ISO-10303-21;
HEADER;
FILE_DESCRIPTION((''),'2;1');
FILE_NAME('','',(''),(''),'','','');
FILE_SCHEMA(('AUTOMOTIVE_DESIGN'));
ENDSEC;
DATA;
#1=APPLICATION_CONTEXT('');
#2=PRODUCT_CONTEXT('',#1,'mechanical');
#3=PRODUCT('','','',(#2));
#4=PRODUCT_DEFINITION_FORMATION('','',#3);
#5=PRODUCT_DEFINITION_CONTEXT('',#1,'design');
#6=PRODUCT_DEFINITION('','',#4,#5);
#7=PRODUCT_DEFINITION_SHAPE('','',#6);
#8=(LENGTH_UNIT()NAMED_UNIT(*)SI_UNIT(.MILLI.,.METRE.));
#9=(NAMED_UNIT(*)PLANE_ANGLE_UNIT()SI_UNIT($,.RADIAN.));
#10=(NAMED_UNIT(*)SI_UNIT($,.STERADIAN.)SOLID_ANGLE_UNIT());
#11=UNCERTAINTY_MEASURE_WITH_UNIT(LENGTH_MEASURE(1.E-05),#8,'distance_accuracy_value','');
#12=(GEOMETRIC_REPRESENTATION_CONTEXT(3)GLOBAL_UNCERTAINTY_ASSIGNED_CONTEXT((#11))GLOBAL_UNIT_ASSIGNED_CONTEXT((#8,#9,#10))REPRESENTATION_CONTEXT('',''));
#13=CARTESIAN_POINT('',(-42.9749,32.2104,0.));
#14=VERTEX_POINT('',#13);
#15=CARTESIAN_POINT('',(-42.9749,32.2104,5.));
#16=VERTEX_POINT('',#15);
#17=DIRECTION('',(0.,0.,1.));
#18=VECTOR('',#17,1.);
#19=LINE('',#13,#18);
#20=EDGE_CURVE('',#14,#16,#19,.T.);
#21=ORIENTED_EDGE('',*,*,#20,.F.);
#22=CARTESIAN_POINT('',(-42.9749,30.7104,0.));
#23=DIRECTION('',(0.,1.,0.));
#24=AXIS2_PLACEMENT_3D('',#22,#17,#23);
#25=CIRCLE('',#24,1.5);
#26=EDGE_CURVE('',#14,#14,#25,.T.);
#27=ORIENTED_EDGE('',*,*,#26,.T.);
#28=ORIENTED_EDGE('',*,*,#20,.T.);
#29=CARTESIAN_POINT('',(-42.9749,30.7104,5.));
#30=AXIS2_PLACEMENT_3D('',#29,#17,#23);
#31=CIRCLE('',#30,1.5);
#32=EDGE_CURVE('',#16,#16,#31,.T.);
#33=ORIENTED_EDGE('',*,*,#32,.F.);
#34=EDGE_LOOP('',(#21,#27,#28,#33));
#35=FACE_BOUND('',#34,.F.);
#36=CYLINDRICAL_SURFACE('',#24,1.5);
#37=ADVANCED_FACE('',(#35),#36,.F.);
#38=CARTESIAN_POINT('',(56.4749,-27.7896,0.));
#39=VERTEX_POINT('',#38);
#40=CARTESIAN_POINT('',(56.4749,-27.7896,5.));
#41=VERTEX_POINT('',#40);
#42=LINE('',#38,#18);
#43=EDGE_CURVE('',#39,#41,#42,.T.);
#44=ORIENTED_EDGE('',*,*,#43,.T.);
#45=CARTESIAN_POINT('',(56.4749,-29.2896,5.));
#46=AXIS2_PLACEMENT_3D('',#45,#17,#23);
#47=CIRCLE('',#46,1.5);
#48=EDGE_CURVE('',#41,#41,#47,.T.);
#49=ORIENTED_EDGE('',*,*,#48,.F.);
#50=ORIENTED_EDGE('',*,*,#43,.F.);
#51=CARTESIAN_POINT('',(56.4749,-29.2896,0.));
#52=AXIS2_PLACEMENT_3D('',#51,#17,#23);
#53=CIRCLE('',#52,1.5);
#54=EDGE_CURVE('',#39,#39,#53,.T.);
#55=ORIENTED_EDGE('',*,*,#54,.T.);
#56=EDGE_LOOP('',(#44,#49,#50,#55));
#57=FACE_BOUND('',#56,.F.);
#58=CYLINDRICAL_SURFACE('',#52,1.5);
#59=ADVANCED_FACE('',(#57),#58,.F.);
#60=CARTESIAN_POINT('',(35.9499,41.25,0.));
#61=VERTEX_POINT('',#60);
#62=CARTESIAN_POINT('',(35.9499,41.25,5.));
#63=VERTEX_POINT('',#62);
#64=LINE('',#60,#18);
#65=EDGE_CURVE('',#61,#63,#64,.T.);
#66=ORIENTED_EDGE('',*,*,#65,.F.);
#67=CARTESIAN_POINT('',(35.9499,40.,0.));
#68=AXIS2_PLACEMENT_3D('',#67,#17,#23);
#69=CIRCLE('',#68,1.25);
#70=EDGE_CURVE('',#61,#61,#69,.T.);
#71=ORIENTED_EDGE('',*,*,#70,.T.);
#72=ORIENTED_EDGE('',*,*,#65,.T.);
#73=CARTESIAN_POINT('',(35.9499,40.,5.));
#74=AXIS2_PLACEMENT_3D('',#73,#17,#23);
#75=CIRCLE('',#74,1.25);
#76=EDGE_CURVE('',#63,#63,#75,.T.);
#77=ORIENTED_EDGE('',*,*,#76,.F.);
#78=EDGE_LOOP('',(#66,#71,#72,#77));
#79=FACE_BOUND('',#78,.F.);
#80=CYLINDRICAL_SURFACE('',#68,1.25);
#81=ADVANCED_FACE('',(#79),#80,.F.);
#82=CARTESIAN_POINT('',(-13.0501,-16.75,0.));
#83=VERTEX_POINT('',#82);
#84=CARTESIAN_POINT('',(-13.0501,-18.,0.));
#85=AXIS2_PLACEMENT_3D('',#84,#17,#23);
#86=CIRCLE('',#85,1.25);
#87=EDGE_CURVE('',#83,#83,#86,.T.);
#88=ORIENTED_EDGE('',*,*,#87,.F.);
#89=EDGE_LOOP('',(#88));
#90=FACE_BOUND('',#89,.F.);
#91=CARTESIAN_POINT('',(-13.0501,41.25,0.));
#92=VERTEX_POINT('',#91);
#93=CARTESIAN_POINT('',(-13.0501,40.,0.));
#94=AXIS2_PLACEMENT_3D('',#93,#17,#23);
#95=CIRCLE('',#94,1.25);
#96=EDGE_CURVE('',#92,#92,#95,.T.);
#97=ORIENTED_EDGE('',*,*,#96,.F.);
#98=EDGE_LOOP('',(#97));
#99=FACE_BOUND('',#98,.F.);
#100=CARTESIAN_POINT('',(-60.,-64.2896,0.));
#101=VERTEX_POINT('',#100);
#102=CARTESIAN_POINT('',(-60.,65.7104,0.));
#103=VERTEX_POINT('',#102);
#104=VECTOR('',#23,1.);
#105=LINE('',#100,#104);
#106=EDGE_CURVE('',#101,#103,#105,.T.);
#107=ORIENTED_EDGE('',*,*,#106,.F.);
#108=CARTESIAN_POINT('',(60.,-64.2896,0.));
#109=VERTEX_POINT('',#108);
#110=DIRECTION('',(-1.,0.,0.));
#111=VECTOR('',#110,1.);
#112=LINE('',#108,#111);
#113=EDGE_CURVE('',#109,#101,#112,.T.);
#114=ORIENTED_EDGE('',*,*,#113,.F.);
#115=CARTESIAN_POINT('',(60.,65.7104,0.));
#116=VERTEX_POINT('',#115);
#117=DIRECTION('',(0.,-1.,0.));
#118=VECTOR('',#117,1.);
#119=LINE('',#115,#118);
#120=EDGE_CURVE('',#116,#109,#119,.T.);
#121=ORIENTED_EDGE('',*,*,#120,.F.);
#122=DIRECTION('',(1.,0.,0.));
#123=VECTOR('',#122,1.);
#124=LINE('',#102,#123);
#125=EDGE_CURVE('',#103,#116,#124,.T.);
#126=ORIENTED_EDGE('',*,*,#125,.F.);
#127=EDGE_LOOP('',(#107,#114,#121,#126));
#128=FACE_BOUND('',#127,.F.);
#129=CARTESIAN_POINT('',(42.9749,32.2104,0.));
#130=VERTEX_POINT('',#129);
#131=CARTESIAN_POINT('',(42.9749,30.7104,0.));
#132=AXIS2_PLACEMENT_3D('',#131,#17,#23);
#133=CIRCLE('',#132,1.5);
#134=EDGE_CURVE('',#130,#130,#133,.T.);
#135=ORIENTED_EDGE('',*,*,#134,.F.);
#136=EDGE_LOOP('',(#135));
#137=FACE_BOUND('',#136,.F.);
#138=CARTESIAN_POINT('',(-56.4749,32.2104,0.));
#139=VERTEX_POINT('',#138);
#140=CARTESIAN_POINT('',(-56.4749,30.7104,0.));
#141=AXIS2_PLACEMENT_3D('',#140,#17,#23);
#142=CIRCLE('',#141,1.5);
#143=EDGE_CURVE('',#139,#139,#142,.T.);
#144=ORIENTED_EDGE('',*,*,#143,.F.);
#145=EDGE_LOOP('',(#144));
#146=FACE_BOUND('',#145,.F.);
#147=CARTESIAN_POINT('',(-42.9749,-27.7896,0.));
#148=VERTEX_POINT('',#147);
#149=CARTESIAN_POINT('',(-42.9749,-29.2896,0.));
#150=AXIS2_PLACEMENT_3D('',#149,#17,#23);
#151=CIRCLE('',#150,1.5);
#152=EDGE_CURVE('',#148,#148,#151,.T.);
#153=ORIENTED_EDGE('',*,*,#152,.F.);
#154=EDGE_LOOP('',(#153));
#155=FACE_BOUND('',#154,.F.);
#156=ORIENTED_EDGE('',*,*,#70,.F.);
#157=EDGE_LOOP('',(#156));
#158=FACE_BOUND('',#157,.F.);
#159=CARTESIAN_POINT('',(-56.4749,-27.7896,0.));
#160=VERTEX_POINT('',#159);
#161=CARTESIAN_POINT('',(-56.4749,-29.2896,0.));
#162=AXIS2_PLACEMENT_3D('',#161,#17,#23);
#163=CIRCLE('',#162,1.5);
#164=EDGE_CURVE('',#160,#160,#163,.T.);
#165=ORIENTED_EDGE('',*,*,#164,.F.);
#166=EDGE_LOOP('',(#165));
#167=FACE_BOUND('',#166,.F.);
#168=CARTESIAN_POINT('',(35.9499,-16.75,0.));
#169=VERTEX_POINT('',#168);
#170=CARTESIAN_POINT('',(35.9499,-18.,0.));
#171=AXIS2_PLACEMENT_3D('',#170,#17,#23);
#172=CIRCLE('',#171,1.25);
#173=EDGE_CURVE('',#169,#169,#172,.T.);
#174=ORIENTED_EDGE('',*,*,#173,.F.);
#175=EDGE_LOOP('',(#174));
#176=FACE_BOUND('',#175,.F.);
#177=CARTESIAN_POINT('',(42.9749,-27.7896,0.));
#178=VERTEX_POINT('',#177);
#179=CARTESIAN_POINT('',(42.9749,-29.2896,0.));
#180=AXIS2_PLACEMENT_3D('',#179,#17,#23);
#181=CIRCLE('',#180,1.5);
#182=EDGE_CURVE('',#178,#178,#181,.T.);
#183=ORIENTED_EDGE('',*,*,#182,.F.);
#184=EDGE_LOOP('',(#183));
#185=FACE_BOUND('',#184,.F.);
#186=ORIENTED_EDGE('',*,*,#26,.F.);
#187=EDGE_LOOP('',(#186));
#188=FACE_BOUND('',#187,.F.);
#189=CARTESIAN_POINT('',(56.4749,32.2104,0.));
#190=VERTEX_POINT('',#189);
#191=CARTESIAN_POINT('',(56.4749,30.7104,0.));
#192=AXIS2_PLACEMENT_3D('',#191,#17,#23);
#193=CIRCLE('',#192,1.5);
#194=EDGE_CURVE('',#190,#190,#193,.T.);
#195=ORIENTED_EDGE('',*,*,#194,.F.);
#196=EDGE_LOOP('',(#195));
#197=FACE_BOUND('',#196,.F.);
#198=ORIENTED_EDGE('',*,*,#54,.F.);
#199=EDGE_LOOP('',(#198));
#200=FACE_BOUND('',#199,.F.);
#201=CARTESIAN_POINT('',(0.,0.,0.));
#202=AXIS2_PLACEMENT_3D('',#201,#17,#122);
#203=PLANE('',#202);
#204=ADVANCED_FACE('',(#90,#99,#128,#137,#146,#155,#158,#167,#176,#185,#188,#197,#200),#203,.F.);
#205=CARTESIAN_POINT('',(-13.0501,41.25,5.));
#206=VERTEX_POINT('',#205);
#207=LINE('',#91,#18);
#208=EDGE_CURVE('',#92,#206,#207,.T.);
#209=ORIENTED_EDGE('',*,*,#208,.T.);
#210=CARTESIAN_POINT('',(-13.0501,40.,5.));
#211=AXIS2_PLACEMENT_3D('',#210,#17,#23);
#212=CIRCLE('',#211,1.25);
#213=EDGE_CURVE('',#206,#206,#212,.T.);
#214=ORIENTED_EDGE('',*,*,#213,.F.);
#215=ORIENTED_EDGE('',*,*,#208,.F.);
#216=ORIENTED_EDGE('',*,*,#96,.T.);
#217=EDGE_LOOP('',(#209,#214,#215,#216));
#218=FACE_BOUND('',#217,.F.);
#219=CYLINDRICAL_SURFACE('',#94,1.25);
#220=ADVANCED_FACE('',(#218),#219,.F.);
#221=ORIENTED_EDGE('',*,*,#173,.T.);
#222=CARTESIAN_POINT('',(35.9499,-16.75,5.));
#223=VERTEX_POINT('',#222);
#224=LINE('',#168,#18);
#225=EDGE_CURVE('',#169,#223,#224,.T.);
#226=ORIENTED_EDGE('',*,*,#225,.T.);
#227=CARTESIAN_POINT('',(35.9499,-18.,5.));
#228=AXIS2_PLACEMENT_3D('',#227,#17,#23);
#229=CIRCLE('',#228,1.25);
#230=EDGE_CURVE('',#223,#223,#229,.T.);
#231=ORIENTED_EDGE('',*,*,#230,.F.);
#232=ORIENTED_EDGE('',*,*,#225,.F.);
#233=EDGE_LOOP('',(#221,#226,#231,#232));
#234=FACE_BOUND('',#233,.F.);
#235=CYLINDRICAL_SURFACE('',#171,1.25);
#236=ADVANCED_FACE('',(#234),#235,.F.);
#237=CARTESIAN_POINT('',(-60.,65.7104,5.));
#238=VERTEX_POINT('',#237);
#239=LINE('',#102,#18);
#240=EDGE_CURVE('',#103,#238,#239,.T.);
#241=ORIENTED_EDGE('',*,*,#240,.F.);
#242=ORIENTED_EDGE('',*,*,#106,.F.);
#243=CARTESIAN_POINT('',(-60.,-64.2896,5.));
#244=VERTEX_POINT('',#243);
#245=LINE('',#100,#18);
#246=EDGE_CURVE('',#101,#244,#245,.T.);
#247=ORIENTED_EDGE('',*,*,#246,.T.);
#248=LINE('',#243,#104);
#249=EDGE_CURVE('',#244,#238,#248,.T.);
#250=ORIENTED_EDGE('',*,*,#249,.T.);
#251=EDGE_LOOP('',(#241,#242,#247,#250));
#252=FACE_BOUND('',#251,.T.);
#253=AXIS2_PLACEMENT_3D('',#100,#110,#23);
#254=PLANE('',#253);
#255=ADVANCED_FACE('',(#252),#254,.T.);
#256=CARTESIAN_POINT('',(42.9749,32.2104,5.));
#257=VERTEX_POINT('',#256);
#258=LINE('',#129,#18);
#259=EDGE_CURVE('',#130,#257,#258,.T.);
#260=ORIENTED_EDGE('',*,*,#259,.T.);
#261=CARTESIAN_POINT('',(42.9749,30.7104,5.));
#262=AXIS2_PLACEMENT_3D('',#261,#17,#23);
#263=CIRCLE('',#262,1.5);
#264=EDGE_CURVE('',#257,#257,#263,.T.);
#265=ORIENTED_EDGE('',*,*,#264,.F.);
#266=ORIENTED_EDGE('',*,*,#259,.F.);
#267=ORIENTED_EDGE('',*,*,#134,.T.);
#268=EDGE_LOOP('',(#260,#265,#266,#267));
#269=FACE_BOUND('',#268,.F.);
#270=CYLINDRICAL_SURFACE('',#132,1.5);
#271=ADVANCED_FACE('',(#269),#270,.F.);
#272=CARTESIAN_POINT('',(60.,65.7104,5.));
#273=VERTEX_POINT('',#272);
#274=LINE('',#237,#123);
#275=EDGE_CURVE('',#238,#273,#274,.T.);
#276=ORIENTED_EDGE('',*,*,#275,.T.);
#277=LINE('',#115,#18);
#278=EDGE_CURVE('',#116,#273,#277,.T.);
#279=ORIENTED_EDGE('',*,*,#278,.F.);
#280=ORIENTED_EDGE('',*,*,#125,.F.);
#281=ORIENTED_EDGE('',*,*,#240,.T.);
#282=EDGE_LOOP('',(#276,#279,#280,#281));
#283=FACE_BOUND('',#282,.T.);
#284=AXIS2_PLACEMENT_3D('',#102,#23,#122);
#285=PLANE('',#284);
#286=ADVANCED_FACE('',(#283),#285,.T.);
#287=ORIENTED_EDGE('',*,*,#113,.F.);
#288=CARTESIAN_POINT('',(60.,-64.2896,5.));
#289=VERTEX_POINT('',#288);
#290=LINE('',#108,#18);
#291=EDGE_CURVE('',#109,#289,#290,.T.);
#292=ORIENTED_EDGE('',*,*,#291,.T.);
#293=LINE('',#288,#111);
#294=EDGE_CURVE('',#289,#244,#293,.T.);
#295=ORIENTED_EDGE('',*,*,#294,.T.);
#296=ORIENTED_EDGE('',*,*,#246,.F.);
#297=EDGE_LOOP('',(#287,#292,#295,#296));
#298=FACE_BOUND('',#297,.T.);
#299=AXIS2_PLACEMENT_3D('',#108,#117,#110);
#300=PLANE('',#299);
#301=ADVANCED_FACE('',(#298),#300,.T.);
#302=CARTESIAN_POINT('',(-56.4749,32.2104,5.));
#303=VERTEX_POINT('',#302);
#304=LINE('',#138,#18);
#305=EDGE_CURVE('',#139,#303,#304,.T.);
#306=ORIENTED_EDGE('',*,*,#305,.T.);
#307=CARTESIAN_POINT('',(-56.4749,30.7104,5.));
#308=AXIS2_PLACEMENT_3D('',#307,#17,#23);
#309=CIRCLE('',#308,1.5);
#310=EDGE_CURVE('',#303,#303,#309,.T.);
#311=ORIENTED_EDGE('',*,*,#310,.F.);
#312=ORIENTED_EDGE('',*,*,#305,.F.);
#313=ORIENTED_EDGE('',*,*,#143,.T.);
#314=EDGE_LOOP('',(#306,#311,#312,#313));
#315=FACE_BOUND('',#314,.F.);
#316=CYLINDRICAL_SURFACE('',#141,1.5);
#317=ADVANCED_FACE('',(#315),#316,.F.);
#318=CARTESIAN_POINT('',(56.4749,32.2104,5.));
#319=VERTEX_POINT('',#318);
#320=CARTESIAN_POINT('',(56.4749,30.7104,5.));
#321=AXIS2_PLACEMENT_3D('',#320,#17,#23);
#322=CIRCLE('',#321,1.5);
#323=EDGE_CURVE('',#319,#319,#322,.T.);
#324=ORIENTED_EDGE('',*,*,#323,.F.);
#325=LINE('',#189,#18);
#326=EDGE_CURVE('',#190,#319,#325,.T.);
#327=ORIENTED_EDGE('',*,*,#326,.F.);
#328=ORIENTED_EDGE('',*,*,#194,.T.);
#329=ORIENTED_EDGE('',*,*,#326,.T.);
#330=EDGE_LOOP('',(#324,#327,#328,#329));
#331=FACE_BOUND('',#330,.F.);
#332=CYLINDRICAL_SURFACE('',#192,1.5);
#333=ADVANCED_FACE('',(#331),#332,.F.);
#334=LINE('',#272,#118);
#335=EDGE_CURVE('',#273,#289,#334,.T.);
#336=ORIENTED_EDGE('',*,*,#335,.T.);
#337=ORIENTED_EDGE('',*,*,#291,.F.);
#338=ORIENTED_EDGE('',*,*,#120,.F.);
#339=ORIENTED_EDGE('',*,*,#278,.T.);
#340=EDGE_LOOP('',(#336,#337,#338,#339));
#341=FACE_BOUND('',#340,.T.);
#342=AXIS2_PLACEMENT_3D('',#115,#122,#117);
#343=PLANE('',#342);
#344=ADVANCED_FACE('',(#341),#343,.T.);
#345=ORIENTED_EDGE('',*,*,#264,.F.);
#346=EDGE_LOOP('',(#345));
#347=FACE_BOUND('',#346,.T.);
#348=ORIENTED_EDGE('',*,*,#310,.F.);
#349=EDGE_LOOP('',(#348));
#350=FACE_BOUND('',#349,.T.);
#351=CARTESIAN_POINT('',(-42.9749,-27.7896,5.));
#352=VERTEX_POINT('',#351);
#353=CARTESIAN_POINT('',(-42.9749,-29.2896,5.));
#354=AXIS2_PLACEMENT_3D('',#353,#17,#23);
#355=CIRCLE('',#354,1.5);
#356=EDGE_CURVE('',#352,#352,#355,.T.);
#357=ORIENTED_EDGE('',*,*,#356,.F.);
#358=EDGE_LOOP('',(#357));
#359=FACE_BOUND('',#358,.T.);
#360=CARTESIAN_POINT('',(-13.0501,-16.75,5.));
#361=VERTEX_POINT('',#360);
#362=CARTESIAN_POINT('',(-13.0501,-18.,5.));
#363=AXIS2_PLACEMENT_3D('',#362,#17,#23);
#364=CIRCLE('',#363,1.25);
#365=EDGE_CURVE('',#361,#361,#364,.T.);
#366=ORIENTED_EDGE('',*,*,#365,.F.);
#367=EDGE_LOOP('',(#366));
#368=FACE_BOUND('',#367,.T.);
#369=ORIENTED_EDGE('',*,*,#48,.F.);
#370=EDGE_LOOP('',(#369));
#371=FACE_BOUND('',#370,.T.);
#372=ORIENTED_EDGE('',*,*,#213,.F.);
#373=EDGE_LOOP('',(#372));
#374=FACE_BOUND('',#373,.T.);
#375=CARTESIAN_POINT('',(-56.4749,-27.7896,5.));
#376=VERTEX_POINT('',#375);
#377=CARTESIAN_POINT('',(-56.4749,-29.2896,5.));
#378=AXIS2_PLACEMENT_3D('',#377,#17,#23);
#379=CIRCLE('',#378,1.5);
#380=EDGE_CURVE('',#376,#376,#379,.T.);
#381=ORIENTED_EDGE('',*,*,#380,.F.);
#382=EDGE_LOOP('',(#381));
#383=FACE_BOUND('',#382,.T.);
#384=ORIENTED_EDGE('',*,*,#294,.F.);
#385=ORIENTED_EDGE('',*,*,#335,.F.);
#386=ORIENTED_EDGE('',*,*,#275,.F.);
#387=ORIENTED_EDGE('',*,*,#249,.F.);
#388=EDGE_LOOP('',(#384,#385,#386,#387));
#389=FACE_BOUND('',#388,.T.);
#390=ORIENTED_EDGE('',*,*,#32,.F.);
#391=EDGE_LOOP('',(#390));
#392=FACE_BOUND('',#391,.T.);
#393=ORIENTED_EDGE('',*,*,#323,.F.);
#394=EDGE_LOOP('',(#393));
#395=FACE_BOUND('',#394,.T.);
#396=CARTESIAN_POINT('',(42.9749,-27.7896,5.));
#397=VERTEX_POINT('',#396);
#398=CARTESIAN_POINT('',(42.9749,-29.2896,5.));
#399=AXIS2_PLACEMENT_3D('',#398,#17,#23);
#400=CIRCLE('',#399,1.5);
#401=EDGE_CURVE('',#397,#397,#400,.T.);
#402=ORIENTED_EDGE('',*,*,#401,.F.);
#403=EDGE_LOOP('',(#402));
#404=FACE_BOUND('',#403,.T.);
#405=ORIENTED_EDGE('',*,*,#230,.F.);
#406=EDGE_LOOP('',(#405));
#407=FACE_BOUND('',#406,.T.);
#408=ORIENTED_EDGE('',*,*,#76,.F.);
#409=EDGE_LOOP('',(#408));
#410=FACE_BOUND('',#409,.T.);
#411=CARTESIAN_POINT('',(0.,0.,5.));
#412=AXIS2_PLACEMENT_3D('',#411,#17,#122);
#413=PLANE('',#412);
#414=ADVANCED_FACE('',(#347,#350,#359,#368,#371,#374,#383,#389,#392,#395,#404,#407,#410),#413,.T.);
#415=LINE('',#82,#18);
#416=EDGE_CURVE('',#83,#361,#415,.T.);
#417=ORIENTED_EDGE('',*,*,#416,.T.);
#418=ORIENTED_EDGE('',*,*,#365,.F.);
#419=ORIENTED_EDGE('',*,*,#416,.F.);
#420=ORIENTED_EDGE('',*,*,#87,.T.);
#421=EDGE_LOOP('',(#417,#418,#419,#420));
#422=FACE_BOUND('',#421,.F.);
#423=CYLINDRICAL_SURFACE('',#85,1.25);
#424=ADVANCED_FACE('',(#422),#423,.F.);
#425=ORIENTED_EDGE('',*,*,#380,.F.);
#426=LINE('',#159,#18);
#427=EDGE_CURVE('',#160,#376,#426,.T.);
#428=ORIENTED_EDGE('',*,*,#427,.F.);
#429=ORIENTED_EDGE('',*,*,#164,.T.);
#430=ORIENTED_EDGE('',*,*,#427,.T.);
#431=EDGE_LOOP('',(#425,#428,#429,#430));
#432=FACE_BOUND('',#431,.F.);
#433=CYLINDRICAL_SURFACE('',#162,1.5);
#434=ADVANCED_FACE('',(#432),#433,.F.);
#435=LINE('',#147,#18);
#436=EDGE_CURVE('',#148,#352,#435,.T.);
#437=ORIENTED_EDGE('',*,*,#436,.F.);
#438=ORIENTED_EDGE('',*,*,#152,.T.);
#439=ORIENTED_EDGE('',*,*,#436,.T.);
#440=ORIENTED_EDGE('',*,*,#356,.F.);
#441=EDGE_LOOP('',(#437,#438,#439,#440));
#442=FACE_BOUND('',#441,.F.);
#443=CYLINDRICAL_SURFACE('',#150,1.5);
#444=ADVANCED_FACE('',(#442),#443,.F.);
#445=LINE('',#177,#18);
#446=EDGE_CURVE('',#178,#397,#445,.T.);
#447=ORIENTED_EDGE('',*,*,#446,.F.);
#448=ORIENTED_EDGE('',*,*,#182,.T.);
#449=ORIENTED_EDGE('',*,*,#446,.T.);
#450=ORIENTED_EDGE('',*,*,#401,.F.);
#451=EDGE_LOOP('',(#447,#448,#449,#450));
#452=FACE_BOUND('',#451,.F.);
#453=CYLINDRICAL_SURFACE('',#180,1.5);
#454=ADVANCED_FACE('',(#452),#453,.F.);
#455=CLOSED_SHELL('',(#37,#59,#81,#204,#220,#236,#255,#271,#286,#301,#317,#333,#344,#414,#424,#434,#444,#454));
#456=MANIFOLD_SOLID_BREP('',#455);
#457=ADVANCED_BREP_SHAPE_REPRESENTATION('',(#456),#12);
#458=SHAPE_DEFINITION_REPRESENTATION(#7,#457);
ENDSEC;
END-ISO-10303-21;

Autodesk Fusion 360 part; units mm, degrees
sketch "Sketch1" plane through (0, 0, 0) normal (0, 0, 1) x (1, 0, 0)
  line L0 (-102.5159, 0.7104) -> (97.4841, 0.7104) construction
  line L1 (0, 100) -> (0, -100) construction
  line L2 (-60, 65.7104) -> (60, 65.7104)
  line L3 (60, 65.7104) -> (60, -64.2896)
  line L4 (60, -64.2896) -> (-60, -64.2896)
  line L5 (-60, -64.2896) -> (-60, 65.7104)
  line L6 (60, 30.7104) -> (39.4499, 30.7104) construction
  line L7 (39.4499, 30.7104) -> (39.4499, -29.2896) construction
  line L8 (39.4499, -29.2896) -> (60, -29.2896) construction
  line L9 (60, -29.2896) -> (60, 30.7104) construction
  line L10 (49.7249, 30.7104) -> (49.7249, -29.2896) construction
  line L11 (56.4749, 30.7104) -> (42.9749, 30.7104) construction
  line L12 (42.9749, 30.7104) -> (42.9749, -29.2896) construction
  line L13 (42.9749, -29.2896) -> (56.4749, -29.2896) construction
  line L14 (56.4749, -29.2896) -> (56.4749, 30.7104) construction
  line L15 (-56.4749, -29.2896) -> (-56.4749, 30.7104) construction
  line L16 (-42.9749, 30.7104) -> (-42.9749, -29.2896) construction
  line L17 (-60, 30.7104) -> (-39.4499, 30.7104) construction
  line L18 (-42.9749, -29.2896) -> (-56.4749, -29.2896) construction
  line L19 (-39.4499, 30.7104) -> (-39.4499, -29.2896) construction
  line L20 (-49.7249, 30.7104) -> (-49.7249, -29.2896) construction
  line L21 (-39.4499, -29.2896) -> (-60, -29.2896) construction
  line L22 (39.4499, 43.2104) -> (-16.5501, 43.2104) construction
  line L23 (-16.5501, 43.2104) -> (-16.5501, -41.7896) construction
  line L24 (-16.5501, -41.7896) -> (39.4499, -41.7896) construction
  line L25 (39.4499, -41.7896) -> (39.4499, 43.2104) construction
  line L26 (35.9499, 40) -> (-13.0501, 40) construction
  line L27 (-13.0501, 40) -> (-13.0501, -18) construction
  line L28 (-13.0501, -18) -> (35.9499, -18) construction
  line L29 (35.9499, -18) -> (35.9499, 40) construction
  line L30 (11.4499, 43.2104) -> (11.4499, -41.7896) construction
  dimension "d1" = 200
  dimension "d2" = 200
  dimension "d3" = 120
  dimension "d4" = 130
  dimension "d5" = 60
  dimension "d6" = 13.5
  dimension "d7" = 56
  dimension "d8" = 85
  dimension "d9" = 49
  dimension "d10" = 58
extrude "Extrude1" add sketch "Sketch1" along normal blind 5
hole "Hole1" at (56.4749, 30.7104, 0) at (42.9749, 30.7104, 0) at (42.9749, -29.2896, 0) at (56.4749, -29.2896, 0) at (-42.9749, 30.7104, 0) at (-56.4749, 30.7104, 0) at (-56.4749, -29.2896, 0) at (-42.9749, -29.2896, 0) direction (0, 0, 1) diameter 3 depth 5 tip angle 180
hole "Hole2" at (35.9499, 40, 0) at (35.9499, -18, 0) at (-13.0501, 40, 0) at (-13.0501, -18, 0) direction (0, 0, 1) diameter 2.5 depth 5 tip angle 180
